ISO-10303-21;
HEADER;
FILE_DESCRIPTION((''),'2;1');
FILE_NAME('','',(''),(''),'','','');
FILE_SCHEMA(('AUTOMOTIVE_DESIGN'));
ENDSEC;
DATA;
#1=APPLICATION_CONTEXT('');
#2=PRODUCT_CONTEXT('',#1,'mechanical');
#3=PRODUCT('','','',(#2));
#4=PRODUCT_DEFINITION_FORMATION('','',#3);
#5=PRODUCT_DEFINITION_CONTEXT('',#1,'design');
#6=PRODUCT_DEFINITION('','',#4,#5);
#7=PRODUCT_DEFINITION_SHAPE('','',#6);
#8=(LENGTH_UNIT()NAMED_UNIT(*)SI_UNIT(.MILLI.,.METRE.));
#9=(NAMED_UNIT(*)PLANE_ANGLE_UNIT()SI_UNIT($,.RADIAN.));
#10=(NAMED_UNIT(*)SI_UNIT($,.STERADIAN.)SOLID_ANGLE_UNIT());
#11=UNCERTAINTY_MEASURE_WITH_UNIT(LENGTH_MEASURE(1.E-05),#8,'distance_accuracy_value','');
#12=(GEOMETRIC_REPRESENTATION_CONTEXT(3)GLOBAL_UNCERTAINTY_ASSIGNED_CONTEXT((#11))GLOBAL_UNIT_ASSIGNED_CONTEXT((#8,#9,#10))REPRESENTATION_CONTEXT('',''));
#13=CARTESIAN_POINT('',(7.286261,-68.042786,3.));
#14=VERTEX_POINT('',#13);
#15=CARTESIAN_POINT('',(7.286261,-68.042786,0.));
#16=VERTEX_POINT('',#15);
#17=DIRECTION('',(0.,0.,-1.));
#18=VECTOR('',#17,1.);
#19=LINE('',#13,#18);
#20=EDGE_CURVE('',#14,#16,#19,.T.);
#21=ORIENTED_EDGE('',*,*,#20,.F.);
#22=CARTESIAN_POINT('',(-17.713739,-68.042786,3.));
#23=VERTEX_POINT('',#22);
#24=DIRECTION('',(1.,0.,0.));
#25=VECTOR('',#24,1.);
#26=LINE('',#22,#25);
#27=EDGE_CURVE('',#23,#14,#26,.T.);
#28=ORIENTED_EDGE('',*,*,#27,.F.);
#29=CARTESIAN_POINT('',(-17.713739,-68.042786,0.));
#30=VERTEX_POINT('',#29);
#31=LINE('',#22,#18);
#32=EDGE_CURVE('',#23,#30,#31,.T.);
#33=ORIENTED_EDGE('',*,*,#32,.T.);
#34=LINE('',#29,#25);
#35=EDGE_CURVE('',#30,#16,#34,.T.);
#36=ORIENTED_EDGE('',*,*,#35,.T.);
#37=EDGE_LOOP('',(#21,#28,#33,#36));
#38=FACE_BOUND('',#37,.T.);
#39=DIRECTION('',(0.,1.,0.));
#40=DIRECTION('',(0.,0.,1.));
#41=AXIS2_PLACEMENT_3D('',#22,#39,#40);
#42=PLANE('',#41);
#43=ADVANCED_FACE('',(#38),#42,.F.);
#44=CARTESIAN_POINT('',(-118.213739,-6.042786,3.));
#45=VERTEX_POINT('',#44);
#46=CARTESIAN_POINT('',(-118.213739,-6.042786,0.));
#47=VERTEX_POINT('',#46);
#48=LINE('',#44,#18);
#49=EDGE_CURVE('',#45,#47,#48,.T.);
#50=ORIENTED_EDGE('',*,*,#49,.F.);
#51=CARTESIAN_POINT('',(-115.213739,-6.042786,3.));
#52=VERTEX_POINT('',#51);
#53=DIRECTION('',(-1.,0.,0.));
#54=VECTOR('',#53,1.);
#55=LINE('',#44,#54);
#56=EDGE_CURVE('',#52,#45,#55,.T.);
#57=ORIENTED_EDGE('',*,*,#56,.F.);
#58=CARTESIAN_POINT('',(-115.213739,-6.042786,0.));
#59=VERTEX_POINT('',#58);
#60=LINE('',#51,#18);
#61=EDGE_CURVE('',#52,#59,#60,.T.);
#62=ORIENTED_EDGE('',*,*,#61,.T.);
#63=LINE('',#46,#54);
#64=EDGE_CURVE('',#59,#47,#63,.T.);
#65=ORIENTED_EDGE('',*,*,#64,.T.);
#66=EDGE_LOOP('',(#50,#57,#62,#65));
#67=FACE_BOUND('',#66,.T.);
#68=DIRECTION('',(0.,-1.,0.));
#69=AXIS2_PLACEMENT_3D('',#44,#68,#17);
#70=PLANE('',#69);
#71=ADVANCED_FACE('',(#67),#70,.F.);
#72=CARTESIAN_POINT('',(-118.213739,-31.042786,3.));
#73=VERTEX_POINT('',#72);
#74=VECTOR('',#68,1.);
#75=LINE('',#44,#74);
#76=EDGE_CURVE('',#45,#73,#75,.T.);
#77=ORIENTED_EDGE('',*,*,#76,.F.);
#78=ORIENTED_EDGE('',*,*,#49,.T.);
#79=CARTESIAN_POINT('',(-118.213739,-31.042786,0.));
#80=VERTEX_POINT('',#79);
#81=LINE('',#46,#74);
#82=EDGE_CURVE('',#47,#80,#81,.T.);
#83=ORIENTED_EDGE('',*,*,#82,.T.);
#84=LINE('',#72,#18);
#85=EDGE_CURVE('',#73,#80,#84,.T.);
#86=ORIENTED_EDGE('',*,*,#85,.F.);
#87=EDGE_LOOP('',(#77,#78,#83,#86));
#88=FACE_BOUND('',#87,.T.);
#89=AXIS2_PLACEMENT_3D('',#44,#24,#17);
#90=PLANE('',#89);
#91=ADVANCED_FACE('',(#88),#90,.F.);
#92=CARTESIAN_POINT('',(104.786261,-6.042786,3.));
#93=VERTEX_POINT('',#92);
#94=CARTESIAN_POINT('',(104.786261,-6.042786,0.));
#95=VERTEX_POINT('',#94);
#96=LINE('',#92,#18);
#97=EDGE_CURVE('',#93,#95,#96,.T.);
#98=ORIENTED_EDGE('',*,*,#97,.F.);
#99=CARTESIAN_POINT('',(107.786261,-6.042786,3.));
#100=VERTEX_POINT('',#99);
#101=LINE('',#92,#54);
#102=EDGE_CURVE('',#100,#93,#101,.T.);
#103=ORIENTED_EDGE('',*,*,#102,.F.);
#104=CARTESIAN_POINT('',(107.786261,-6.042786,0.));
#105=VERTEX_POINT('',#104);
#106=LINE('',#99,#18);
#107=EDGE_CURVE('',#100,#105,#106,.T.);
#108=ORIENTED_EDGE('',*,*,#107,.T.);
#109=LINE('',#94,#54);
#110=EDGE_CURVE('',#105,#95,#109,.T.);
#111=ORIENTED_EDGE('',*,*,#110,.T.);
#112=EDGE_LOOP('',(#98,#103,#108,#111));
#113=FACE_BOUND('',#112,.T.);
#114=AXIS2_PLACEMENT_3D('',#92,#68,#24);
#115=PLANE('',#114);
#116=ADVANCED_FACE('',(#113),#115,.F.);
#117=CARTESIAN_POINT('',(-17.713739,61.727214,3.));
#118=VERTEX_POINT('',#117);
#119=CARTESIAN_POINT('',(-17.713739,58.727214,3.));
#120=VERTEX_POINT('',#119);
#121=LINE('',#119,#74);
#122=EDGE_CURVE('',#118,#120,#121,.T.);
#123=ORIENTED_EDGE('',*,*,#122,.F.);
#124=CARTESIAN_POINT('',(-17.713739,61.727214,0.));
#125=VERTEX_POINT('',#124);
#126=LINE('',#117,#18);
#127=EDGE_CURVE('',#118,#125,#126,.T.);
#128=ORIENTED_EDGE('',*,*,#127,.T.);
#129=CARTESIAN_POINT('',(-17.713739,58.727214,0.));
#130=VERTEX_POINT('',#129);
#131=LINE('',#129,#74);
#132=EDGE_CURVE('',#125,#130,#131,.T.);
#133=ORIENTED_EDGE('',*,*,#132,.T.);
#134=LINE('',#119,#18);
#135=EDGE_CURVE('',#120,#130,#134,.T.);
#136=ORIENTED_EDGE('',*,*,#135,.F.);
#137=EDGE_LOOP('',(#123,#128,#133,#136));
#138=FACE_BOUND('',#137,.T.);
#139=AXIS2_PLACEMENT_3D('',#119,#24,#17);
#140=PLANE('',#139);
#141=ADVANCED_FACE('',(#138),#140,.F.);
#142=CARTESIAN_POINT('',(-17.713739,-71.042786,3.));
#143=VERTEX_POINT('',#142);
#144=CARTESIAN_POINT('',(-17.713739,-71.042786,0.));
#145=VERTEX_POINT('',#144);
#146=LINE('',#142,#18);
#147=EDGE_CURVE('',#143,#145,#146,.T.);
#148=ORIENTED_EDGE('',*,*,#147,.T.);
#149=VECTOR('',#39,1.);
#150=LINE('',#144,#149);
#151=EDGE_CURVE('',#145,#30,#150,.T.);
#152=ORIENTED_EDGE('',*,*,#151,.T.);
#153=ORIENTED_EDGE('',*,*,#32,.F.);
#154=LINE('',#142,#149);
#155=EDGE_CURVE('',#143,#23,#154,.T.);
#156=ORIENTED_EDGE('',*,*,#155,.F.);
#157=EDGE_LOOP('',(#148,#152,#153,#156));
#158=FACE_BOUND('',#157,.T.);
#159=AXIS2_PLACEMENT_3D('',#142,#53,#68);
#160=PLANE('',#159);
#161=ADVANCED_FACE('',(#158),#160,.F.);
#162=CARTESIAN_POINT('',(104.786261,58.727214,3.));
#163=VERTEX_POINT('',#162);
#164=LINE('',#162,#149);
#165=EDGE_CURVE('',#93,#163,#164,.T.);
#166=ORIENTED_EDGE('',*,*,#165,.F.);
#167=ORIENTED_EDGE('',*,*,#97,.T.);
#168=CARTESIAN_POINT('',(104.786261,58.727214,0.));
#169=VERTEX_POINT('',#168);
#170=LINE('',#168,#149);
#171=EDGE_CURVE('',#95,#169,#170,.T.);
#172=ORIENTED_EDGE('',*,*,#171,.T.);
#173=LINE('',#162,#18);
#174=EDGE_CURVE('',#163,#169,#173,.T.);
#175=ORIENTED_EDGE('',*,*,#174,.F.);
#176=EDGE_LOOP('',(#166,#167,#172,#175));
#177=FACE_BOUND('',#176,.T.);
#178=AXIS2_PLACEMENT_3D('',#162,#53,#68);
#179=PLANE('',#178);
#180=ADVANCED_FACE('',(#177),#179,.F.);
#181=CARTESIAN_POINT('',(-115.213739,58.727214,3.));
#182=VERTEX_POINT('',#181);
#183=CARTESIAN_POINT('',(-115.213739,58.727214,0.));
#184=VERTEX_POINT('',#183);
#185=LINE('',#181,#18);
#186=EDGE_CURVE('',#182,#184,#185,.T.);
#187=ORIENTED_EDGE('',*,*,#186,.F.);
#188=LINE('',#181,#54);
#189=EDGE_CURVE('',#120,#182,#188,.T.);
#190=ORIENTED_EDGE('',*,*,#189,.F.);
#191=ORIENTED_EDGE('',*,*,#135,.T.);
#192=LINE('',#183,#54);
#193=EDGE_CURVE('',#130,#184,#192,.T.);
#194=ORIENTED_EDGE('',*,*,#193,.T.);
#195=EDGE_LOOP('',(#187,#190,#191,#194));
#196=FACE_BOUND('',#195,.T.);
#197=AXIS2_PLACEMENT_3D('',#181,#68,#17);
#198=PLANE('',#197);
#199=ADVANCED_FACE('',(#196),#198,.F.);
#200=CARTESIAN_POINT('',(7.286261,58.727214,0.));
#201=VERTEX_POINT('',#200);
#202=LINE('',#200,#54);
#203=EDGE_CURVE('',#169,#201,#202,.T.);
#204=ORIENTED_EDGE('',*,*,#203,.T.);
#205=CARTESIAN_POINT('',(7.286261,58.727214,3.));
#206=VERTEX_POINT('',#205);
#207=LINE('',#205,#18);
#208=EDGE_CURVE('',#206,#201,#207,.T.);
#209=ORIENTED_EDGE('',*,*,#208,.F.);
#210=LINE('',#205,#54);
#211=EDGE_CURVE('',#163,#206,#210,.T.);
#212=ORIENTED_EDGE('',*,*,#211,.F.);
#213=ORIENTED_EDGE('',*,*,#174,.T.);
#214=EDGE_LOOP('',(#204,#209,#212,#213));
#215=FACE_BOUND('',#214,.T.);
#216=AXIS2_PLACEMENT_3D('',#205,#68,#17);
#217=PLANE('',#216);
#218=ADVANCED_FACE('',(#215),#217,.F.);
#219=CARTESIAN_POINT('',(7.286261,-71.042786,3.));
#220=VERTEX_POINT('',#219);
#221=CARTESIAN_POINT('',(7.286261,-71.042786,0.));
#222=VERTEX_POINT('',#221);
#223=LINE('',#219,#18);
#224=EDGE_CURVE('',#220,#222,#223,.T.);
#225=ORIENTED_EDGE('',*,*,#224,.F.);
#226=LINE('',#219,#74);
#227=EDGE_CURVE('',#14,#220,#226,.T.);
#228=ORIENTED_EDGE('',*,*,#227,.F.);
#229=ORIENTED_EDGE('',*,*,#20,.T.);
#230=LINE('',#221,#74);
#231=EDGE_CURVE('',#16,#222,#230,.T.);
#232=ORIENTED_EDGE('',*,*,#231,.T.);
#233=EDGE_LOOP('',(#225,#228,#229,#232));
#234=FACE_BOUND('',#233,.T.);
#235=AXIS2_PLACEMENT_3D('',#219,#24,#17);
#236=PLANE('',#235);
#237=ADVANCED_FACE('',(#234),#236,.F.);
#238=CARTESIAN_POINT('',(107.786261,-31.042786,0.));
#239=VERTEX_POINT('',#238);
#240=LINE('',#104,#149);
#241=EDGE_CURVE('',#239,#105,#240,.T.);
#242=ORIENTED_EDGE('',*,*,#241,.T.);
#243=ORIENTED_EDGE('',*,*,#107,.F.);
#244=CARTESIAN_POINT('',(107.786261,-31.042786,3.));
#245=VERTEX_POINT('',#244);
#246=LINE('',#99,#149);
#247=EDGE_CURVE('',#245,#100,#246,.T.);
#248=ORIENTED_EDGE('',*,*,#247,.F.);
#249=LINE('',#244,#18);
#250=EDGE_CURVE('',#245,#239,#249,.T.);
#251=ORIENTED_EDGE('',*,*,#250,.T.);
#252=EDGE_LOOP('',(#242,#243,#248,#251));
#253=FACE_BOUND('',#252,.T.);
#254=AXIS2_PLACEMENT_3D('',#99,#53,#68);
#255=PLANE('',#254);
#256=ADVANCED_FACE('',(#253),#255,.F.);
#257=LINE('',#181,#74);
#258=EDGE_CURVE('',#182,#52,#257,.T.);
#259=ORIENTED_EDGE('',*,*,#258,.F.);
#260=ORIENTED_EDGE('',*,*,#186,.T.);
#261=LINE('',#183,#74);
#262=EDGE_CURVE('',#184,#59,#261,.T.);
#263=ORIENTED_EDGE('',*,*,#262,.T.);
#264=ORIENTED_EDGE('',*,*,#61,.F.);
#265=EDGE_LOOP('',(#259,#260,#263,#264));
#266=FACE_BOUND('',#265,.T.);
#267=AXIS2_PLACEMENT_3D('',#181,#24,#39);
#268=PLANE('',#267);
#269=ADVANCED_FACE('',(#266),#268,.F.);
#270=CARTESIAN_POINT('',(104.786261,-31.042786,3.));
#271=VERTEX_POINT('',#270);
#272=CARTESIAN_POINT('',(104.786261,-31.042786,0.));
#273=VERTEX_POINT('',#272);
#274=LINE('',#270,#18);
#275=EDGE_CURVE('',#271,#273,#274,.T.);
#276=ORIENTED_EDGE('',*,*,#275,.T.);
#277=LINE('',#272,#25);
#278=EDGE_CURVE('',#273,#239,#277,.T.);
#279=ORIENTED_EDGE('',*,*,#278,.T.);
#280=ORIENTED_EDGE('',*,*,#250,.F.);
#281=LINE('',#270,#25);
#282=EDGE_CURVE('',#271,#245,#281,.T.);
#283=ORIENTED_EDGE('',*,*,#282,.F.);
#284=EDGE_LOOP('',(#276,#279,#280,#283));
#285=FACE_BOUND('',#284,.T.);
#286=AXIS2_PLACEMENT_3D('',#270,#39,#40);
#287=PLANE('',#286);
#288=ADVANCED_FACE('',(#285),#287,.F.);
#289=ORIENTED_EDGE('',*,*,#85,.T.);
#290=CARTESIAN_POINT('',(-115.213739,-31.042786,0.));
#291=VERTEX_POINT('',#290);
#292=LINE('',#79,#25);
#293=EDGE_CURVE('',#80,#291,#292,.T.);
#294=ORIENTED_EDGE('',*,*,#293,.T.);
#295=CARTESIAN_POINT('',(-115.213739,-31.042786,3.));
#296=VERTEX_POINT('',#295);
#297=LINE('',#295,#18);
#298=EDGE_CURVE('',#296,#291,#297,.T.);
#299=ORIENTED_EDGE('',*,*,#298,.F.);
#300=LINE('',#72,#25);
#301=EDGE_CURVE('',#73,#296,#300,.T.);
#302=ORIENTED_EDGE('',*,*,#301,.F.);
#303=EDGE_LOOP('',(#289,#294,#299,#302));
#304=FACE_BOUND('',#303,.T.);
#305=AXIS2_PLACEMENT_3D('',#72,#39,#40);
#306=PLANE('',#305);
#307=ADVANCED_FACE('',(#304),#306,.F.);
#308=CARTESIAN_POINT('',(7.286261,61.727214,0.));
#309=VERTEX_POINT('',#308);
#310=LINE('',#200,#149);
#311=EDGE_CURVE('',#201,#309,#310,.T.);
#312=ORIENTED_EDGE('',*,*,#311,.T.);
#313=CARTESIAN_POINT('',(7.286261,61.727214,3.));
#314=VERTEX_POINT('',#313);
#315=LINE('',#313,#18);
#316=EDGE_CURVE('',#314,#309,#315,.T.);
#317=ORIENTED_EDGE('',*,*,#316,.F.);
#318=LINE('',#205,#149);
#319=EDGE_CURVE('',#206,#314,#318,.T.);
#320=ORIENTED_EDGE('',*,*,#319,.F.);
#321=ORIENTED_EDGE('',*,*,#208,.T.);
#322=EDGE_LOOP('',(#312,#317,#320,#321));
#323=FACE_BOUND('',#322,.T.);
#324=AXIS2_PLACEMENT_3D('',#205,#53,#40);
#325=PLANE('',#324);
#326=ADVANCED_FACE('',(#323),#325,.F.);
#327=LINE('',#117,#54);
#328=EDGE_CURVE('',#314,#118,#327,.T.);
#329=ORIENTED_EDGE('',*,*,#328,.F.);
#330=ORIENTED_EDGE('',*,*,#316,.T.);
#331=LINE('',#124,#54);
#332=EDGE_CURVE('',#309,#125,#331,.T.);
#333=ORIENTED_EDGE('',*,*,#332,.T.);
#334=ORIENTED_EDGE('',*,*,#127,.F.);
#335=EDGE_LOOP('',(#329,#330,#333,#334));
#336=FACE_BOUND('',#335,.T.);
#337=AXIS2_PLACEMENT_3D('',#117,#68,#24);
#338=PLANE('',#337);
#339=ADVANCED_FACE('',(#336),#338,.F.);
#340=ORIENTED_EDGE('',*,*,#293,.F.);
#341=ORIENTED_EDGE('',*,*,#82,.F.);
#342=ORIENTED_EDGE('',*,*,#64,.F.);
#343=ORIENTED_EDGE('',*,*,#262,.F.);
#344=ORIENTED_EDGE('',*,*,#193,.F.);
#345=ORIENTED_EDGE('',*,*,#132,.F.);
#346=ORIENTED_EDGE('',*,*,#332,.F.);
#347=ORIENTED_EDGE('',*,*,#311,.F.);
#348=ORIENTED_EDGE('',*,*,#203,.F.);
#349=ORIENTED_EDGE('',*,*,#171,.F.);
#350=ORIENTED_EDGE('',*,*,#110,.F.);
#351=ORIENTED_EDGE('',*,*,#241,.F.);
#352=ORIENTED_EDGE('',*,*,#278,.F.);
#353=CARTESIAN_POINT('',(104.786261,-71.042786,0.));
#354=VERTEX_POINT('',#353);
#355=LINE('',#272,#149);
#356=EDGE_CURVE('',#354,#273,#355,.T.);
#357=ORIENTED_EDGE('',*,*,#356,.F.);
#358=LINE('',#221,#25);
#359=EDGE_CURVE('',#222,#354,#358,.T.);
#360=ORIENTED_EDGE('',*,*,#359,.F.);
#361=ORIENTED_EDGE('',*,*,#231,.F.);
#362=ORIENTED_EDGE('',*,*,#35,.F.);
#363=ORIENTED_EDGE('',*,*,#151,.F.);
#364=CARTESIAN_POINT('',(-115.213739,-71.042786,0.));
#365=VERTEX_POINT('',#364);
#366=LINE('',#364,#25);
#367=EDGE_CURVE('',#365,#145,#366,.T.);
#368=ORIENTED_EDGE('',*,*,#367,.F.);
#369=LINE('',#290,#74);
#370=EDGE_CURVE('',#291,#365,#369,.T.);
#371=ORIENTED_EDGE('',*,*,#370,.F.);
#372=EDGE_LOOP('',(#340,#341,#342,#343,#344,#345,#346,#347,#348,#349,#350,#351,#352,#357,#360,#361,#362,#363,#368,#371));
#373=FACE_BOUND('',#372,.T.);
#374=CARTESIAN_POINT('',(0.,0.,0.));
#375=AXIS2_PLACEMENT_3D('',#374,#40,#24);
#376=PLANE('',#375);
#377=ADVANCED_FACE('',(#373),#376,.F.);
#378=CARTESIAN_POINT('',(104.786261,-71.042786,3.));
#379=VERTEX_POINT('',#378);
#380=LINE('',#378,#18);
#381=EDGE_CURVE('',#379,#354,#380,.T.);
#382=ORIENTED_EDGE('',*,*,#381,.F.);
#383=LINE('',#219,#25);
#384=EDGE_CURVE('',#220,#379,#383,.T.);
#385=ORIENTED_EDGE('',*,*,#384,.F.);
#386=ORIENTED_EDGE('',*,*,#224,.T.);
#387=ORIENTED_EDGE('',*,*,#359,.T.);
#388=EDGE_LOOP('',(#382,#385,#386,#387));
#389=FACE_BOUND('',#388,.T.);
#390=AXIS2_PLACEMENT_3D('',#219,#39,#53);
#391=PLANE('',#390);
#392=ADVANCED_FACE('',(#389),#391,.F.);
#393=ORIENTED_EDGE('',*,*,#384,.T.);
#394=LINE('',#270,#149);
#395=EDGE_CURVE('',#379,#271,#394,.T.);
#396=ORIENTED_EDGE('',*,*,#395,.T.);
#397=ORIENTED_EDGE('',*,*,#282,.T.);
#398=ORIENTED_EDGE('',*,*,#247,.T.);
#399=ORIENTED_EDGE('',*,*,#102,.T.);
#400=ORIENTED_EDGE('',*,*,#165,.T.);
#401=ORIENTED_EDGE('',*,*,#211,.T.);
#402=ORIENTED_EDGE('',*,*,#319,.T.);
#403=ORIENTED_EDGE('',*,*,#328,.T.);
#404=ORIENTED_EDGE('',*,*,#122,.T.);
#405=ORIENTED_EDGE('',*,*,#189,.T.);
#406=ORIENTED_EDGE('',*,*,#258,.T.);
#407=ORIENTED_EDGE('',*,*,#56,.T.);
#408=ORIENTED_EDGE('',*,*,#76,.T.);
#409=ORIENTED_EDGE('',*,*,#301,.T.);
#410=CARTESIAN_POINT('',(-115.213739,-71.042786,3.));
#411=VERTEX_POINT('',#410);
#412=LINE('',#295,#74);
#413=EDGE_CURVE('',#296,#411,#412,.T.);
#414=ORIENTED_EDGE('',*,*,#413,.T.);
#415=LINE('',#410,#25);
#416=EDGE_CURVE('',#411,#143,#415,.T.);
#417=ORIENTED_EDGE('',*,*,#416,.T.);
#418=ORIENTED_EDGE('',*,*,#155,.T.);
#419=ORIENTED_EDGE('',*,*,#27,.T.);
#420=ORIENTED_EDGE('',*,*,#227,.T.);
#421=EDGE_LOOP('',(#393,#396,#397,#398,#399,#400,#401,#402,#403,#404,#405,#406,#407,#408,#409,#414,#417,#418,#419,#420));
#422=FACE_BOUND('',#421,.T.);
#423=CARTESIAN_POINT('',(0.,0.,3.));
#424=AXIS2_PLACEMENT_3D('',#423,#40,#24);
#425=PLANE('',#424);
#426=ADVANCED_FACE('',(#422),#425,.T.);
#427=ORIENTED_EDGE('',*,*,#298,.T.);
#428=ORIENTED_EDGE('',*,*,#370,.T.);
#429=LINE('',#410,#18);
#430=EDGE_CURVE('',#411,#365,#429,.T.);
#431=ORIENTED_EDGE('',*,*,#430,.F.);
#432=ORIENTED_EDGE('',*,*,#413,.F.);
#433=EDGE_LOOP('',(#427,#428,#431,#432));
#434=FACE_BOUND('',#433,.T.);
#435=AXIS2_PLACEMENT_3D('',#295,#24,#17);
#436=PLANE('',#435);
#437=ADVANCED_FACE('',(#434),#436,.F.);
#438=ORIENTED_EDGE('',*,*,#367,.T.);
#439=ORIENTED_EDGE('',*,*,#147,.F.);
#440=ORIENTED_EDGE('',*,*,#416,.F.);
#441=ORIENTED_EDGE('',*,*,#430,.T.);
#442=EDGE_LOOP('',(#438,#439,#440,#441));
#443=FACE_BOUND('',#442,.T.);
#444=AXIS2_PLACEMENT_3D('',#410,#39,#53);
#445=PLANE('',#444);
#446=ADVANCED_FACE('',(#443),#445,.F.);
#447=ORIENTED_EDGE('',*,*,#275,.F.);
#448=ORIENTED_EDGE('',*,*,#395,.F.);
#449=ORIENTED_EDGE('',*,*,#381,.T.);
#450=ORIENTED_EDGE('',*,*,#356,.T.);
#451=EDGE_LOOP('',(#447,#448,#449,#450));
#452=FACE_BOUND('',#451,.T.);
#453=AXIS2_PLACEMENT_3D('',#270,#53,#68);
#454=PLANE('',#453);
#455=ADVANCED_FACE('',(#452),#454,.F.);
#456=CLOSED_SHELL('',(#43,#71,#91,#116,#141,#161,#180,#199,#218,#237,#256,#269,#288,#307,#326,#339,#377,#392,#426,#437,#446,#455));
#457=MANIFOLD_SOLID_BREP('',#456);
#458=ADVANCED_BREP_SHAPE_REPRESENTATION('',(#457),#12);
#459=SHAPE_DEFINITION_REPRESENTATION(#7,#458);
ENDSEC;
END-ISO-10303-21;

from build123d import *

# Parameters (mm, degrees)
EXTRUDE_1_DEPTH = 3


with BuildPart() as part:
    # Эскиз1 → Бобышка-Вытянуть1 (new body)
    with BuildSketch(Plane.XY):
        Polygon((-115.213739234, -31.042785566), (-115.213739234, -71.042785566), (-17.713739234, -71.042785566), (-17.713739234, -68.042785566), (7.286260766, -68.042785566), (7.286260766, -71.042785566), (104.786260766, -71.042785566), (104.786260766, -31.042785566), (107.786260766, -31.042785566), (107.786260766, -6.042785566), (104.786260766, -6.042785566), (104.786260766, 58.727214434), (7.286260766, 58.727214434), (7.286260766, 61.727214434), (-17.713739234, 61.727214434), (-17.713739234, 58.727214434), (-115.213739234, 58.727214434), (-115.213739234, -6.042785566), (-118.213739234, -6.042785566), (-118.213739234, -31.042785566), align=None)
    extrude(amount=EXTRUDE_1_DEPTH)


solid = part.part
